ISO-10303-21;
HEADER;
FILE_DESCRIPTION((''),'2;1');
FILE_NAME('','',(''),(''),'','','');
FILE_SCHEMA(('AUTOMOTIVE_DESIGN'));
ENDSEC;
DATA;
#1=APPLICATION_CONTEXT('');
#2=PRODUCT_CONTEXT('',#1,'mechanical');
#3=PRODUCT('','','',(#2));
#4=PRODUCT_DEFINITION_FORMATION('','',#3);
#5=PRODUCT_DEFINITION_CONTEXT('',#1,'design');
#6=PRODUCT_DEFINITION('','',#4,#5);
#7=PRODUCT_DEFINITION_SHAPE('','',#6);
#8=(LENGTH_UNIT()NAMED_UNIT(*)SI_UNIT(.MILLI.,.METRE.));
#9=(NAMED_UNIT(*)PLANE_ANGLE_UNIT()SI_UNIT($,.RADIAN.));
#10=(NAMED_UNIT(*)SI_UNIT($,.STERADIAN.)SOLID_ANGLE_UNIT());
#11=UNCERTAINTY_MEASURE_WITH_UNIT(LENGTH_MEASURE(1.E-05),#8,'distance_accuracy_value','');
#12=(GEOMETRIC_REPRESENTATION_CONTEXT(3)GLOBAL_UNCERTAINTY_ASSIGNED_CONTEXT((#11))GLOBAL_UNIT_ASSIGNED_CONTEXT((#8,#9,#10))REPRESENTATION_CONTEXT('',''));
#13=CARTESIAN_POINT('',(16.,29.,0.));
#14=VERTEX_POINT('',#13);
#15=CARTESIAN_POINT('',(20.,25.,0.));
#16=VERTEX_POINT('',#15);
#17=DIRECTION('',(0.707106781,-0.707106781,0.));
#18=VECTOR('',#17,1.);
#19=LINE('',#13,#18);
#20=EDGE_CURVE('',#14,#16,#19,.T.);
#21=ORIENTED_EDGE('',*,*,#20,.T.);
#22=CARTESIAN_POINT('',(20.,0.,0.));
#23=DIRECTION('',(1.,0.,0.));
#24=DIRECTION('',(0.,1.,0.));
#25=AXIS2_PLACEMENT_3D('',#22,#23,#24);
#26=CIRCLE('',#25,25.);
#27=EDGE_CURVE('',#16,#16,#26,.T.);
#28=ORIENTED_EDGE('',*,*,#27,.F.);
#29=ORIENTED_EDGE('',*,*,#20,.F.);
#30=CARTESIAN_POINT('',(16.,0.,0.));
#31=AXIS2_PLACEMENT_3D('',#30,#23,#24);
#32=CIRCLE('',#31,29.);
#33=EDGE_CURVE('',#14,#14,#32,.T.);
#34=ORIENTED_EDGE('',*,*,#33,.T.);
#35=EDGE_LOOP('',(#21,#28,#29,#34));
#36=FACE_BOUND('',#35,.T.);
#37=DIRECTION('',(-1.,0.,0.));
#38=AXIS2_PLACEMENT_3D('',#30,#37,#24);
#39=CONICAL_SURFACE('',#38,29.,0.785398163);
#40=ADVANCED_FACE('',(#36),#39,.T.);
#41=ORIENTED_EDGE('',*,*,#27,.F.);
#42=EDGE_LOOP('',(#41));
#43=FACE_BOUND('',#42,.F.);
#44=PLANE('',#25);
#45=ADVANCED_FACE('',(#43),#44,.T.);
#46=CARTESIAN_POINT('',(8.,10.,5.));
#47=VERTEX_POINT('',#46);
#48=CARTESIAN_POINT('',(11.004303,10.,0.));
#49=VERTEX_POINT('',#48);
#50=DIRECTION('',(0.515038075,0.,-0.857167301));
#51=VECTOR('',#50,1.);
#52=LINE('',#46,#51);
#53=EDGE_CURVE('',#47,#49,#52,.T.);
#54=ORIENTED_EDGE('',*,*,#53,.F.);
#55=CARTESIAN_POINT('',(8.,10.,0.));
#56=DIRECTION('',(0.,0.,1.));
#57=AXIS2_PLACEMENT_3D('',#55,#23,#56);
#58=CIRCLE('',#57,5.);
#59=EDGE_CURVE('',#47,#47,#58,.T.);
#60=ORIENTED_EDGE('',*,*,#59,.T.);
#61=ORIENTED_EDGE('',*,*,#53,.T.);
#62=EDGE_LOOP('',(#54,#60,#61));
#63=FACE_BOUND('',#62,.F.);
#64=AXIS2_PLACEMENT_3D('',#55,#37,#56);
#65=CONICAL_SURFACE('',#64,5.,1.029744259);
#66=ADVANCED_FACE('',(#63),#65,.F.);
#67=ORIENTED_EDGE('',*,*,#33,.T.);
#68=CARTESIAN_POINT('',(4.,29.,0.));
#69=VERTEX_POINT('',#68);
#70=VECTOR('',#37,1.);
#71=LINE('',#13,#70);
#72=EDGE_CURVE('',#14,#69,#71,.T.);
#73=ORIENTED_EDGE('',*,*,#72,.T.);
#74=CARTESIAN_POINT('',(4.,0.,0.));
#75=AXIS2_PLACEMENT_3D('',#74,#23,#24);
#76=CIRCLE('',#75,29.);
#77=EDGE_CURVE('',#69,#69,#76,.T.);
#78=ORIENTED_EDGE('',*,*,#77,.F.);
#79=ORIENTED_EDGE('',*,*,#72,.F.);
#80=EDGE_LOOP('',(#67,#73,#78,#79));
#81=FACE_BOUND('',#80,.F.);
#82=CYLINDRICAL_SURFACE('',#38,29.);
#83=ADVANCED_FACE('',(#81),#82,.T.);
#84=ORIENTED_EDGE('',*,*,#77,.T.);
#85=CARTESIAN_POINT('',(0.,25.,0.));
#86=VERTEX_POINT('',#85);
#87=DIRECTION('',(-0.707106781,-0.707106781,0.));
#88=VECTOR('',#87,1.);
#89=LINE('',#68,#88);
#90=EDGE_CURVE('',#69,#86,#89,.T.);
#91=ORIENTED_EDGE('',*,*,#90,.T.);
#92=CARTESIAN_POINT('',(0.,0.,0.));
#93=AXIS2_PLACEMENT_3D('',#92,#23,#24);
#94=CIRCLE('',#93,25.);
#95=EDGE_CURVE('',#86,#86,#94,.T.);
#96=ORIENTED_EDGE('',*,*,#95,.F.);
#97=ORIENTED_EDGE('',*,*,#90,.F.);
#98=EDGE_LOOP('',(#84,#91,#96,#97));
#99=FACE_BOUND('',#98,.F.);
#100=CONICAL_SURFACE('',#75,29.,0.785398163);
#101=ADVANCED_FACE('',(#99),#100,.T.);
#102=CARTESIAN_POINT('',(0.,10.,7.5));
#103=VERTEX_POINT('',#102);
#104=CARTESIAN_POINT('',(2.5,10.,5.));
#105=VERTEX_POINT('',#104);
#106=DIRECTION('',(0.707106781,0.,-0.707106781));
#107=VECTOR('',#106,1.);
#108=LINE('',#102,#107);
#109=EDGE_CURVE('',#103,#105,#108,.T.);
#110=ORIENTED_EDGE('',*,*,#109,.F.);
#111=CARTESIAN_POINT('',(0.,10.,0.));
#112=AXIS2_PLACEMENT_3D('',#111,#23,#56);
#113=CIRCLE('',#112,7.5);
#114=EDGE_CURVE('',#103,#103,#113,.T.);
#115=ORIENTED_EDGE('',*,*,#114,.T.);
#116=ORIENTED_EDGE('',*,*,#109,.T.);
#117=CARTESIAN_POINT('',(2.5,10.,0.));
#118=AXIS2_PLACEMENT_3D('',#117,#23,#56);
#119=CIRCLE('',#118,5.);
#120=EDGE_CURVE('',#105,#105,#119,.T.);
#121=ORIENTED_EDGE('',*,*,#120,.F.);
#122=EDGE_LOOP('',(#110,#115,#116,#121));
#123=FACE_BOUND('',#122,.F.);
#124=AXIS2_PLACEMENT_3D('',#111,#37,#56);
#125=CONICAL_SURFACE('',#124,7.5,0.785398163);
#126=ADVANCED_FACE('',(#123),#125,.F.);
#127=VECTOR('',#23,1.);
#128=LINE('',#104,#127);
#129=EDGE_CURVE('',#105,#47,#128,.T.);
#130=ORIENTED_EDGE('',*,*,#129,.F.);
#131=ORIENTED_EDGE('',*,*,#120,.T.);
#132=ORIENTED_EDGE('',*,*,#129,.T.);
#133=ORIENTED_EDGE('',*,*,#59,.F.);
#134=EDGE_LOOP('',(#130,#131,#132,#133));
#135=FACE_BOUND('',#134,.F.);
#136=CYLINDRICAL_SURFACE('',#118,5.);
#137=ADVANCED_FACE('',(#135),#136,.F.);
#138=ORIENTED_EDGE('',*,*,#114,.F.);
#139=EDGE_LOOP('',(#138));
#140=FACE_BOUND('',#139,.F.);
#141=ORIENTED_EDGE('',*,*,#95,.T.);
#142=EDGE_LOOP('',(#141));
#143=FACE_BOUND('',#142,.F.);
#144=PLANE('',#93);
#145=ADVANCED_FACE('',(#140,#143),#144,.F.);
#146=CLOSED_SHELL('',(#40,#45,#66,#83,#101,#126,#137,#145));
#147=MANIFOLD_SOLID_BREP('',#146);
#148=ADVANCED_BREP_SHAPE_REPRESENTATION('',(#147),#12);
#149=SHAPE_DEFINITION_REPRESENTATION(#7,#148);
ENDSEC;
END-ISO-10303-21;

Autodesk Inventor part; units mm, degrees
ref_plane "YZ Plane" through (0, 0, 0) normal (1, 0, 0) x (0, 1, 0)
ref_plane "XZ Plane" through (0, 0, 0) normal (0, 1, 0) x (-1, 0, 0)
ref_plane "XY Plane" through (0, 0, 0) normal (0, 0, 1) x (1, 0, 0)
sketch "Эскиз1" plane through (0, 0, 0) normal (0, 0, 1) x (1, 0, 0)
  line L0 (0, 0) -> (20, 0)
  line L1 (20, 0) -> (20, 25)
  line L2 (16, 29) -> (4, 29)
  line L3 (0, 25) -> (0, 0)
  line L4 (4, 29) -> (0, 25)
  line L5 (16, 29) -> (20, 25)
  point P0 (20, 29)
  point P1 (0, 29)
  dimension "d15" = 20
  dimension "d16" = 29
  dimension "d17" = 4
  dimension "d18" = 4
  dimension "d19" = 4
  dimension "d20" = 4
revolve "Вращение2" add sketch "Эскиз1" angle 360 about axis through (0, 0, 0) along (1, 0, 0)
sketch "Эскиз3" plane through (0, 0, 0) normal (-1, 0, 0) x (0, 0, 1)
  line L0 (0, 0) -> (0, 10) construction
  dimension "d22" = 10
hole "Отверстие2" at (0, 10, 0) direction (1, 0, 0) diameter 10 depth 8 tip angle 118 countersink diameter 15 countersink angle 90
equation "\"d18\" = d17"
equation "\"d19\" = d17"
equation "\"d20\" = d19"
properties part number "711112"
